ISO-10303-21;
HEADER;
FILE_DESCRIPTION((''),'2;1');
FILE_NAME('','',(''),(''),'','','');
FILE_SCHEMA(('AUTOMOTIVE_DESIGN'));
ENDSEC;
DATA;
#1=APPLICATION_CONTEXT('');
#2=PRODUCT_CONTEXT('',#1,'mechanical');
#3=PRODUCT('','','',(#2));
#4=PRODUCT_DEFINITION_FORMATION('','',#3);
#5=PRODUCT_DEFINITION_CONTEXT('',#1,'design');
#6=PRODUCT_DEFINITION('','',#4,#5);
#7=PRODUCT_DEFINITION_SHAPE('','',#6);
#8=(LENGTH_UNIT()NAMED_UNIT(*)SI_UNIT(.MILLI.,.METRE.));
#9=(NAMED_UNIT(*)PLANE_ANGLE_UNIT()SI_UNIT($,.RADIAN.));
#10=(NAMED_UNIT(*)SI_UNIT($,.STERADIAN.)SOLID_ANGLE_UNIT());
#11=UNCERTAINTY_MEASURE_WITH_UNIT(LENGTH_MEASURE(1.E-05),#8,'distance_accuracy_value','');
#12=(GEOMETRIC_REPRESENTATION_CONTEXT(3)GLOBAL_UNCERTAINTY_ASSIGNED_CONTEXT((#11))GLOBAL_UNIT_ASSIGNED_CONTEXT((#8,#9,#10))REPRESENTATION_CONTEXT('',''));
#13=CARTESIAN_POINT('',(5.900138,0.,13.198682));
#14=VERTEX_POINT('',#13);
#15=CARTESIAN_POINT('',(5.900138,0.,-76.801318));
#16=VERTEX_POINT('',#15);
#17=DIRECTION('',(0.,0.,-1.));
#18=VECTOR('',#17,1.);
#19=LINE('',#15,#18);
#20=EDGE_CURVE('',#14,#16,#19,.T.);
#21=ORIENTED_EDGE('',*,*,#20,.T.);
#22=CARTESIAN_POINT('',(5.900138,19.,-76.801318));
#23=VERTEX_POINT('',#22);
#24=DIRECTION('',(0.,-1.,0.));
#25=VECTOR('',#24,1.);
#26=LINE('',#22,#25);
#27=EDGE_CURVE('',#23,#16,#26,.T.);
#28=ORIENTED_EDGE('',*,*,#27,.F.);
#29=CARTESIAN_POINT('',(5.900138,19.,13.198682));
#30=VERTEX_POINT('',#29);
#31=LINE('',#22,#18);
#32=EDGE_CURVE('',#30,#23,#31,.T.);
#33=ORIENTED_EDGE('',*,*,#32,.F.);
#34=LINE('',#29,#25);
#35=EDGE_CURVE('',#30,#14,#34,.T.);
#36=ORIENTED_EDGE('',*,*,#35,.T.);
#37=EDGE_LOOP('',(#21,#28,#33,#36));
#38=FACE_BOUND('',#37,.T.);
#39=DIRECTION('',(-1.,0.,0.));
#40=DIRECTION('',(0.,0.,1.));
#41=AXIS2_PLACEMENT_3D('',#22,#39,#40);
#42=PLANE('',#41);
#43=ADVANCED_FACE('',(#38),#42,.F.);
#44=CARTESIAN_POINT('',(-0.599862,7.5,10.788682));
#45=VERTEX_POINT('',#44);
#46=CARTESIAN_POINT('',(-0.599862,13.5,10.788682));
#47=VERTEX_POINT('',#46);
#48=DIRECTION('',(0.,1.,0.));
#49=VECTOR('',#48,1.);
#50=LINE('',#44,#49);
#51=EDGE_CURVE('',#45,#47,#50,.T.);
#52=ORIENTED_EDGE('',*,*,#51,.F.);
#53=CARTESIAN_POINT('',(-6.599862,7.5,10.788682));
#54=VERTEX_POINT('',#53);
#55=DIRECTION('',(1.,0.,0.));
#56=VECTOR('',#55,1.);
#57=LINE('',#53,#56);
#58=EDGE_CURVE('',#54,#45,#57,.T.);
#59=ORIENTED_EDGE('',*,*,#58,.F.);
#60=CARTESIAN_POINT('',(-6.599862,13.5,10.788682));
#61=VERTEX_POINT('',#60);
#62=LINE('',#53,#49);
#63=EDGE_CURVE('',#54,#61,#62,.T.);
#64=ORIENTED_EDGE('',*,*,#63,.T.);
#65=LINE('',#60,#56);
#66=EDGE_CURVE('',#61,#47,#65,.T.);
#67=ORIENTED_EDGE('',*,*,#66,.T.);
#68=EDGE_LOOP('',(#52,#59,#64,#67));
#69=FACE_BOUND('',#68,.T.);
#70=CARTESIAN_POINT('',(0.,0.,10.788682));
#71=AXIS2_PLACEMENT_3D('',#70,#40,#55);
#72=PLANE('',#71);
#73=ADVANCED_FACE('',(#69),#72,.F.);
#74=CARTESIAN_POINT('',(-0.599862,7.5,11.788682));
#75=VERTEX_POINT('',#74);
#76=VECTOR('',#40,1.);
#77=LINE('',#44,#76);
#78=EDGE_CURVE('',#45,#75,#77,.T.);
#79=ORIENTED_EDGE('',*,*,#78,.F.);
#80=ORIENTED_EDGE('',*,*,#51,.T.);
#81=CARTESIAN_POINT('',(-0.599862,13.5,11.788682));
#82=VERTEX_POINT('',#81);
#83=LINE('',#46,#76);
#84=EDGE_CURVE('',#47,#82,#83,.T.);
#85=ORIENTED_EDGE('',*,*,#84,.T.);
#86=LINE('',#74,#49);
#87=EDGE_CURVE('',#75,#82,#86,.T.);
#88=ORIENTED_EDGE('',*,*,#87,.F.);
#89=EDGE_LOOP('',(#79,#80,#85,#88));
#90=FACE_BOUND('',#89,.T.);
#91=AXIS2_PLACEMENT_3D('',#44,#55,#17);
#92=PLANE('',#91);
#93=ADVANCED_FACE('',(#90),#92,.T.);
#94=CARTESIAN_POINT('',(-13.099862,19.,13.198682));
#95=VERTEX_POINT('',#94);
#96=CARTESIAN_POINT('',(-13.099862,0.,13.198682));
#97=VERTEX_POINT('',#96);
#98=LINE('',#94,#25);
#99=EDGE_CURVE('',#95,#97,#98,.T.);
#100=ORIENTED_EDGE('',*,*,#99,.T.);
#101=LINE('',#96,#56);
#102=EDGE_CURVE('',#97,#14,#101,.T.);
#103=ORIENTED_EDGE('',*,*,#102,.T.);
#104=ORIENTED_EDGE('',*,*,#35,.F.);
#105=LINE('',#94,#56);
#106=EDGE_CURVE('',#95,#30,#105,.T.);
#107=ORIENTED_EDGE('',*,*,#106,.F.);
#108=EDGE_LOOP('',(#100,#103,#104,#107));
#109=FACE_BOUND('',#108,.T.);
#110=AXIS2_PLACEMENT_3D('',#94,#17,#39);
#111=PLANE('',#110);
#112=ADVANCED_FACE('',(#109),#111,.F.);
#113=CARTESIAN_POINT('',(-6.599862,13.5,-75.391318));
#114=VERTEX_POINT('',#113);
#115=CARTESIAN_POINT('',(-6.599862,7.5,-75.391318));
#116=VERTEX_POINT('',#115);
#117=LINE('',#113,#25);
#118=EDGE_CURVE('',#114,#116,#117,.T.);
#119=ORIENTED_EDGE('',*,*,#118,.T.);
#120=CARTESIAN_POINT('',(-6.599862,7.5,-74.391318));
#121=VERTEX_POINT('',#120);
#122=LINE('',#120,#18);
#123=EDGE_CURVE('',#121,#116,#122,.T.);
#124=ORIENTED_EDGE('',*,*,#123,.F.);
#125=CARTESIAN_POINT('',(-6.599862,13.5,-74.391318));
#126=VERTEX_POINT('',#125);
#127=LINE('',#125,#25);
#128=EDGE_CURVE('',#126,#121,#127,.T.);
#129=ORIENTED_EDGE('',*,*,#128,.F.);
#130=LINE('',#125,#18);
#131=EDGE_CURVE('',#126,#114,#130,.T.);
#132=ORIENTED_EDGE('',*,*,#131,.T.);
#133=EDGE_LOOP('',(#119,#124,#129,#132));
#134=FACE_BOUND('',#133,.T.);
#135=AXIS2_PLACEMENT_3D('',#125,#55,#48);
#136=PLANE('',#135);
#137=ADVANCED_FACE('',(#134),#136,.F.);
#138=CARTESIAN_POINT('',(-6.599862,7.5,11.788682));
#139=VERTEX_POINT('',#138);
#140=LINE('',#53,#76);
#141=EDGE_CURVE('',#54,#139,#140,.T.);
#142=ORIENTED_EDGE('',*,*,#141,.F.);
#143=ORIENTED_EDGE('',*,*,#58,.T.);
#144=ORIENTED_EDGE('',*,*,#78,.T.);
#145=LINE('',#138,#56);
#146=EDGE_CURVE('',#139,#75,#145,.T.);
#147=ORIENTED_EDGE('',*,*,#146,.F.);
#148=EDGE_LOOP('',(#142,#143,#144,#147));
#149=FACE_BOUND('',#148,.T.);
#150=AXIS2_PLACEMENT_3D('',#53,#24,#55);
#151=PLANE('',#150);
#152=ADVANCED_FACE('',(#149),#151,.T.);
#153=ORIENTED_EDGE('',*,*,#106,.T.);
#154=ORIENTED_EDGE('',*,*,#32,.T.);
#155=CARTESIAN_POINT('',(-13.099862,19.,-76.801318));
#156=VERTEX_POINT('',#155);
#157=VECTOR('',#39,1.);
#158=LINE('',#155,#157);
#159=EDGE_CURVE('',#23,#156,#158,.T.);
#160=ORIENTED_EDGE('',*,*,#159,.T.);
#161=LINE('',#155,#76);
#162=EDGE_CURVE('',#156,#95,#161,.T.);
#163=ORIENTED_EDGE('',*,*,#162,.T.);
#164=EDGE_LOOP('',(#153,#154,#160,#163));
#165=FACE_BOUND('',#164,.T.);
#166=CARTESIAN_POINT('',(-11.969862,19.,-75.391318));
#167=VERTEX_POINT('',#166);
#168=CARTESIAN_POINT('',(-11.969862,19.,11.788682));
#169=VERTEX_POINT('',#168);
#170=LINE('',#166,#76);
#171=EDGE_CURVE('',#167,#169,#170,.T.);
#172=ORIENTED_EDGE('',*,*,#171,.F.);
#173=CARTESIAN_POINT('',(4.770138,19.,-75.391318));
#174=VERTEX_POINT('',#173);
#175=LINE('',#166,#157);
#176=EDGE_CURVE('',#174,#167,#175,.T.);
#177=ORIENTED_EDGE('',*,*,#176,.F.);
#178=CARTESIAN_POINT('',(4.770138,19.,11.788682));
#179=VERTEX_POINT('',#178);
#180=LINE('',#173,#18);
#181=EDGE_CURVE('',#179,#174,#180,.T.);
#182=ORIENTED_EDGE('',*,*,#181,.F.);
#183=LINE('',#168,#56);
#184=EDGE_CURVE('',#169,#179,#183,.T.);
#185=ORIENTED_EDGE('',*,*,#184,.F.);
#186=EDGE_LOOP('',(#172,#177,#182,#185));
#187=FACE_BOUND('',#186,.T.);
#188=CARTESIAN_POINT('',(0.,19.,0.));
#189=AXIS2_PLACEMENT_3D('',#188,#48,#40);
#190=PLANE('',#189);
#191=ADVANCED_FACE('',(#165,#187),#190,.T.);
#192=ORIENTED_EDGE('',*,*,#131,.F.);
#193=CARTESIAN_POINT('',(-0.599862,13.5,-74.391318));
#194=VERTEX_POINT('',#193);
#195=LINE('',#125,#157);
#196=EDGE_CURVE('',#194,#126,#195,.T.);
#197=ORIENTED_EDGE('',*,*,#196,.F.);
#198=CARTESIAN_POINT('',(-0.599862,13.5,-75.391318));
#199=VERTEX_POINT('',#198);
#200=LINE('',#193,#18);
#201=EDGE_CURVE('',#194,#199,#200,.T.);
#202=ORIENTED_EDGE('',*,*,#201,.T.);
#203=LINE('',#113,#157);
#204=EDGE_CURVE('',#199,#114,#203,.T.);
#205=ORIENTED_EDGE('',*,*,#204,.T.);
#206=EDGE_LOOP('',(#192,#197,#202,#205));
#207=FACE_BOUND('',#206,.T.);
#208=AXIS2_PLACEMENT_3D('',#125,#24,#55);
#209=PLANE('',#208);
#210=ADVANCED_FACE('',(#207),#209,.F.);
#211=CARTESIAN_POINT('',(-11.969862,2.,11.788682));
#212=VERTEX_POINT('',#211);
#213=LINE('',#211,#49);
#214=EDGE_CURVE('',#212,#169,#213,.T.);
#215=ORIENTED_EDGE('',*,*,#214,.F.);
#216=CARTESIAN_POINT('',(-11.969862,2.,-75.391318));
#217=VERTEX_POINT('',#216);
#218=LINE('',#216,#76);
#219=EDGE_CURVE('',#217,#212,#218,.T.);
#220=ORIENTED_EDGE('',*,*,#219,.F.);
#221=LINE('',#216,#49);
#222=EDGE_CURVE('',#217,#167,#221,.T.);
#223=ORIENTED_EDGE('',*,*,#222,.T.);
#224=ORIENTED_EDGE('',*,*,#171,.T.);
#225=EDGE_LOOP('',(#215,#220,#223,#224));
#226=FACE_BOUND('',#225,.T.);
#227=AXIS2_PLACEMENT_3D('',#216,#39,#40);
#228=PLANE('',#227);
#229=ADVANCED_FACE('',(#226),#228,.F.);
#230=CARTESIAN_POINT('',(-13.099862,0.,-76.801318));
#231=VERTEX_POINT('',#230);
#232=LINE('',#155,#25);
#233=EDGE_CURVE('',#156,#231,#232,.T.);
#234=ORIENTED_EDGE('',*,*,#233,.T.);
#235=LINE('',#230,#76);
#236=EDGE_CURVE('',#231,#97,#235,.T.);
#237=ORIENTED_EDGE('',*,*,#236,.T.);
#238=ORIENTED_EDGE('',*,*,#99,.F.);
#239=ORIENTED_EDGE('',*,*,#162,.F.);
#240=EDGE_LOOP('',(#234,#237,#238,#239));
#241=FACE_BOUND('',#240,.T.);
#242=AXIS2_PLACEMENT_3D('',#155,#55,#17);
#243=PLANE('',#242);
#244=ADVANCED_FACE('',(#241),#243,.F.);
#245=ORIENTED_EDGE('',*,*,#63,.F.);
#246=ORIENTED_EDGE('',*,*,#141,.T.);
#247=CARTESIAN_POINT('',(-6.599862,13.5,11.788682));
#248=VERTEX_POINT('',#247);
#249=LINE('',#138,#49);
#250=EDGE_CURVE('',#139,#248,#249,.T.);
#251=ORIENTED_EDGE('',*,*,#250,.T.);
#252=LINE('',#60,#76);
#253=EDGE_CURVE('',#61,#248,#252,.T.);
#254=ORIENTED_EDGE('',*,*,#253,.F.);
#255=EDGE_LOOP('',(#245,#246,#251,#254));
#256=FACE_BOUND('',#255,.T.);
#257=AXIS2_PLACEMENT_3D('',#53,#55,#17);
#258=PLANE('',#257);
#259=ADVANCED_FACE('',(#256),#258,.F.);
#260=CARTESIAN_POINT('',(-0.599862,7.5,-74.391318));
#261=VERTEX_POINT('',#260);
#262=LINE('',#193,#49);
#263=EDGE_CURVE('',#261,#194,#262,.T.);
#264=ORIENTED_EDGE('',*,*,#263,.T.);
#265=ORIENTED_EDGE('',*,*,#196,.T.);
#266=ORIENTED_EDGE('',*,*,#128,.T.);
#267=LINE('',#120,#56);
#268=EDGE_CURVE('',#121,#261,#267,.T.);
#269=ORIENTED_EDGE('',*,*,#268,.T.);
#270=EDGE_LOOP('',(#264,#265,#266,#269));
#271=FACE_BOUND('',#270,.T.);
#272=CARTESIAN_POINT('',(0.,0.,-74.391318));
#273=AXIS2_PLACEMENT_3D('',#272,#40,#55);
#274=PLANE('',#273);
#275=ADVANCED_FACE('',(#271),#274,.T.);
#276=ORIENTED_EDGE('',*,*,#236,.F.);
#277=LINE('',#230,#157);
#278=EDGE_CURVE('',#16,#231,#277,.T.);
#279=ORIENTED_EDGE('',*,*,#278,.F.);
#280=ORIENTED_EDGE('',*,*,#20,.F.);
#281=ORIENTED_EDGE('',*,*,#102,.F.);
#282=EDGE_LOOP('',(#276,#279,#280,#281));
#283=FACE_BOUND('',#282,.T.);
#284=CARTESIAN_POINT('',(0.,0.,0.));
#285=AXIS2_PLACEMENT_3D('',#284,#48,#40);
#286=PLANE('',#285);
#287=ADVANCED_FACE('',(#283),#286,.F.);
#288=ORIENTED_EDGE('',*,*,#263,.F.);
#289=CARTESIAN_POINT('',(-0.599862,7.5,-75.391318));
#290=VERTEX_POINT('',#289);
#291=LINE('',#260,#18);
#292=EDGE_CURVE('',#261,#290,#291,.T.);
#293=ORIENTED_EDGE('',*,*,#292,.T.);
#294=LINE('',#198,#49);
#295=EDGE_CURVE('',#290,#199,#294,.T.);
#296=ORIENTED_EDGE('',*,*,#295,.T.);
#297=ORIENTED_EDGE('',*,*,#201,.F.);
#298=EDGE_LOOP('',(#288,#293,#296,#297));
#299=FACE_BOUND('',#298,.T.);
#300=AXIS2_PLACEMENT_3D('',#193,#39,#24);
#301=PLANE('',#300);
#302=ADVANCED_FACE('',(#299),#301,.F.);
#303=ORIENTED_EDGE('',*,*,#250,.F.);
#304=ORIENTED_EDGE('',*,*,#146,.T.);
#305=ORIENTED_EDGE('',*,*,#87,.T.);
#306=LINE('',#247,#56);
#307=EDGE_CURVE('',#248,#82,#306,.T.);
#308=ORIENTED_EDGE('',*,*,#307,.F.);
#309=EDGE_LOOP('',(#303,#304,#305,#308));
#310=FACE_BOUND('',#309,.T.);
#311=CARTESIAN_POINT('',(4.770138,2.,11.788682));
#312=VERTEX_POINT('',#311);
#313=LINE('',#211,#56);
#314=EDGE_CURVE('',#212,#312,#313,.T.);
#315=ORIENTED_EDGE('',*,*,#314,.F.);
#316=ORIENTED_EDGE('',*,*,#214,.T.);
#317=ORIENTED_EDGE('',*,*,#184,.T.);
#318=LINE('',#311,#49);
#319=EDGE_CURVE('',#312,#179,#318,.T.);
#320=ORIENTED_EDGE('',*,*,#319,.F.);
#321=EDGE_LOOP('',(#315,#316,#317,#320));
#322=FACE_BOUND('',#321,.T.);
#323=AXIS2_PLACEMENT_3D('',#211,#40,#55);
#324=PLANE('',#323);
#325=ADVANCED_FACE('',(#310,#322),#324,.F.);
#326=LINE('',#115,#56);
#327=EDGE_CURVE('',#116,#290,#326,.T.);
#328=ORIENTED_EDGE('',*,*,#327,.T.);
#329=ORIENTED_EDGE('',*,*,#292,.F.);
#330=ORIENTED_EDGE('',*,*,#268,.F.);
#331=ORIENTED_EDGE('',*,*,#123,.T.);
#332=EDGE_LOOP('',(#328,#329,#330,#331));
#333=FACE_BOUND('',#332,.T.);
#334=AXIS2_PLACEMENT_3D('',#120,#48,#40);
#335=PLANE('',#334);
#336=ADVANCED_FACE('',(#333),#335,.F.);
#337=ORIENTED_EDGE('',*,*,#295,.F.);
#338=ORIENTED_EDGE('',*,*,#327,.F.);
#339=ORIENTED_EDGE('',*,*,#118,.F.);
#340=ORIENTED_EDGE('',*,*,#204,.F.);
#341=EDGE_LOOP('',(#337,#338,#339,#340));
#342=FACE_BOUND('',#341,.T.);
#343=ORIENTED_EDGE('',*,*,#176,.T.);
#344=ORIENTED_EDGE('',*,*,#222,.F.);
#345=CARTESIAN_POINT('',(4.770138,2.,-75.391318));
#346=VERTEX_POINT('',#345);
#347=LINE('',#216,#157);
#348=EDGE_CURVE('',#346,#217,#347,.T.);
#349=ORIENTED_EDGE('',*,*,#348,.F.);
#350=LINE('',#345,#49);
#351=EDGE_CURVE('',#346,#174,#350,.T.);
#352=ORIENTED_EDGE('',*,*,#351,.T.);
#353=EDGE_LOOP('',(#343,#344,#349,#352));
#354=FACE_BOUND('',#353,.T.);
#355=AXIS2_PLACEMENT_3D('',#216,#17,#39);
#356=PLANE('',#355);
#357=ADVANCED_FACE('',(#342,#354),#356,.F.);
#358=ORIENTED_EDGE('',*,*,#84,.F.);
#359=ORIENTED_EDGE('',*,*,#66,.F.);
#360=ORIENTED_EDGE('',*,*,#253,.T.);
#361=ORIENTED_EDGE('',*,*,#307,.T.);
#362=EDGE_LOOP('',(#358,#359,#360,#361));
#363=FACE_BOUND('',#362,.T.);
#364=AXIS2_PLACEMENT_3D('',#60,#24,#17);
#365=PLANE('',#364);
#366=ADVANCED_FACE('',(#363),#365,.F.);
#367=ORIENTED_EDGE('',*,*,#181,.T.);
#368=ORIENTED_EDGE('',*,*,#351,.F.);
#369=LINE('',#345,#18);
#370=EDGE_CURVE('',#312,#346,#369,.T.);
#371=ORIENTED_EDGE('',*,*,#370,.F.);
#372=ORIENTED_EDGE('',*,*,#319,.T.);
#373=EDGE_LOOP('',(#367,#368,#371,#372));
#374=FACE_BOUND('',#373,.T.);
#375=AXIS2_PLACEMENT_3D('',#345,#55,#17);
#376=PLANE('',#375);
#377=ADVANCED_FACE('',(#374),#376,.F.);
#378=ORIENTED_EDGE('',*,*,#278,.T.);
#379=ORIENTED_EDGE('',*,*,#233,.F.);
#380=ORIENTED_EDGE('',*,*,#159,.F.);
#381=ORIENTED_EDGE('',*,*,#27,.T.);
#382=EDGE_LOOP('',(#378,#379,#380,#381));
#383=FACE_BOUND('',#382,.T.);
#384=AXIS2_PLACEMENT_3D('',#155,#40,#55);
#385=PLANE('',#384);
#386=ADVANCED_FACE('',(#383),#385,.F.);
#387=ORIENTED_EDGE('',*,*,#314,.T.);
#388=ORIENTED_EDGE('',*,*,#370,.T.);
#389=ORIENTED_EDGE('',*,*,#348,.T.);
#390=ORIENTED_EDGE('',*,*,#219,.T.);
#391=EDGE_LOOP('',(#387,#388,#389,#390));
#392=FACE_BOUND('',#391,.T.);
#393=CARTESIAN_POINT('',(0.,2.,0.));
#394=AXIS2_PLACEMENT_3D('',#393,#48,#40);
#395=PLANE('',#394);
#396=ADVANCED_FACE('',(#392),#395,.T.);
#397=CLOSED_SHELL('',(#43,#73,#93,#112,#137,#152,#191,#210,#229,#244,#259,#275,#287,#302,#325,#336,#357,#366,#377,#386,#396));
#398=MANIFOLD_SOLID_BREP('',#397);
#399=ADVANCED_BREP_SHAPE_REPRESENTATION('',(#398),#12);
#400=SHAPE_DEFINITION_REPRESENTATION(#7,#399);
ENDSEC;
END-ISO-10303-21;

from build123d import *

# Parameters (mm, degrees)
SKETCH1_W           = 19
SKETCH1_H           = 90
BOSS_EXTRUDE2_DEPTH = 19
SKETCH2_W           = 16.74
SKETCH2_H           = 87.18
CUT_EXTRUDE1_DEPTH  = 17
SKETCH3_W           = 6
SKETCH3_H           = 6
BOSS_EXTRUDE4_DEPTH = 1
SKETCH5_W           = 6
SKETCH5_H           = 6
BOSS_EXTRUDE5_DEPTH = 1


with BuildPart() as part:
    # Sketch1 → Boss-Extrude2 (new body)
    with BuildSketch(Plane(origin=(0, 0, 0), x_dir=(1, 0, 0), z_dir=(0, 1, 0))):
        with Locations((-3.599862385, 31.801317605)):
            Rectangle(SKETCH1_W, SKETCH1_H)
    extrude(amount=BOSS_EXTRUDE2_DEPTH)

    # Sketch2 → Cut-Extrude1 (cut)
    with BuildSketch(Plane(origin=(0, 19, 0), x_dir=(1, 0, 0), z_dir=(0, 1, 0))):
        with Locations((-3.599862385, 31.801317605)):
            Rectangle(SKETCH2_W, SKETCH2_H)
    extrude(amount=-CUT_EXTRUDE1_DEPTH, mode=Mode.SUBTRACT)

    # Sketch3 → Boss-Extrude4 (add)
    with BuildSketch(Plane(origin=(0, 0, 11.788682395), x_dir=(-1, 0, 0), z_dir=(0, 0, -1))):
        with Locations((3.599862385, 10.5)):
            Rectangle(SKETCH3_W, SKETCH3_H)
    extrude(amount=BOSS_EXTRUDE4_DEPTH)

    # Sketch5 → Boss-Extrude5 (add)
    with BuildSketch(Plane.XY.offset(-75.391317605)):
        with Locations((-3.599862385, 10.5)):
            Rectangle(SKETCH5_W, SKETCH5_H)
    extrude(amount=BOSS_EXTRUDE5_DEPTH)


solid = part.part
